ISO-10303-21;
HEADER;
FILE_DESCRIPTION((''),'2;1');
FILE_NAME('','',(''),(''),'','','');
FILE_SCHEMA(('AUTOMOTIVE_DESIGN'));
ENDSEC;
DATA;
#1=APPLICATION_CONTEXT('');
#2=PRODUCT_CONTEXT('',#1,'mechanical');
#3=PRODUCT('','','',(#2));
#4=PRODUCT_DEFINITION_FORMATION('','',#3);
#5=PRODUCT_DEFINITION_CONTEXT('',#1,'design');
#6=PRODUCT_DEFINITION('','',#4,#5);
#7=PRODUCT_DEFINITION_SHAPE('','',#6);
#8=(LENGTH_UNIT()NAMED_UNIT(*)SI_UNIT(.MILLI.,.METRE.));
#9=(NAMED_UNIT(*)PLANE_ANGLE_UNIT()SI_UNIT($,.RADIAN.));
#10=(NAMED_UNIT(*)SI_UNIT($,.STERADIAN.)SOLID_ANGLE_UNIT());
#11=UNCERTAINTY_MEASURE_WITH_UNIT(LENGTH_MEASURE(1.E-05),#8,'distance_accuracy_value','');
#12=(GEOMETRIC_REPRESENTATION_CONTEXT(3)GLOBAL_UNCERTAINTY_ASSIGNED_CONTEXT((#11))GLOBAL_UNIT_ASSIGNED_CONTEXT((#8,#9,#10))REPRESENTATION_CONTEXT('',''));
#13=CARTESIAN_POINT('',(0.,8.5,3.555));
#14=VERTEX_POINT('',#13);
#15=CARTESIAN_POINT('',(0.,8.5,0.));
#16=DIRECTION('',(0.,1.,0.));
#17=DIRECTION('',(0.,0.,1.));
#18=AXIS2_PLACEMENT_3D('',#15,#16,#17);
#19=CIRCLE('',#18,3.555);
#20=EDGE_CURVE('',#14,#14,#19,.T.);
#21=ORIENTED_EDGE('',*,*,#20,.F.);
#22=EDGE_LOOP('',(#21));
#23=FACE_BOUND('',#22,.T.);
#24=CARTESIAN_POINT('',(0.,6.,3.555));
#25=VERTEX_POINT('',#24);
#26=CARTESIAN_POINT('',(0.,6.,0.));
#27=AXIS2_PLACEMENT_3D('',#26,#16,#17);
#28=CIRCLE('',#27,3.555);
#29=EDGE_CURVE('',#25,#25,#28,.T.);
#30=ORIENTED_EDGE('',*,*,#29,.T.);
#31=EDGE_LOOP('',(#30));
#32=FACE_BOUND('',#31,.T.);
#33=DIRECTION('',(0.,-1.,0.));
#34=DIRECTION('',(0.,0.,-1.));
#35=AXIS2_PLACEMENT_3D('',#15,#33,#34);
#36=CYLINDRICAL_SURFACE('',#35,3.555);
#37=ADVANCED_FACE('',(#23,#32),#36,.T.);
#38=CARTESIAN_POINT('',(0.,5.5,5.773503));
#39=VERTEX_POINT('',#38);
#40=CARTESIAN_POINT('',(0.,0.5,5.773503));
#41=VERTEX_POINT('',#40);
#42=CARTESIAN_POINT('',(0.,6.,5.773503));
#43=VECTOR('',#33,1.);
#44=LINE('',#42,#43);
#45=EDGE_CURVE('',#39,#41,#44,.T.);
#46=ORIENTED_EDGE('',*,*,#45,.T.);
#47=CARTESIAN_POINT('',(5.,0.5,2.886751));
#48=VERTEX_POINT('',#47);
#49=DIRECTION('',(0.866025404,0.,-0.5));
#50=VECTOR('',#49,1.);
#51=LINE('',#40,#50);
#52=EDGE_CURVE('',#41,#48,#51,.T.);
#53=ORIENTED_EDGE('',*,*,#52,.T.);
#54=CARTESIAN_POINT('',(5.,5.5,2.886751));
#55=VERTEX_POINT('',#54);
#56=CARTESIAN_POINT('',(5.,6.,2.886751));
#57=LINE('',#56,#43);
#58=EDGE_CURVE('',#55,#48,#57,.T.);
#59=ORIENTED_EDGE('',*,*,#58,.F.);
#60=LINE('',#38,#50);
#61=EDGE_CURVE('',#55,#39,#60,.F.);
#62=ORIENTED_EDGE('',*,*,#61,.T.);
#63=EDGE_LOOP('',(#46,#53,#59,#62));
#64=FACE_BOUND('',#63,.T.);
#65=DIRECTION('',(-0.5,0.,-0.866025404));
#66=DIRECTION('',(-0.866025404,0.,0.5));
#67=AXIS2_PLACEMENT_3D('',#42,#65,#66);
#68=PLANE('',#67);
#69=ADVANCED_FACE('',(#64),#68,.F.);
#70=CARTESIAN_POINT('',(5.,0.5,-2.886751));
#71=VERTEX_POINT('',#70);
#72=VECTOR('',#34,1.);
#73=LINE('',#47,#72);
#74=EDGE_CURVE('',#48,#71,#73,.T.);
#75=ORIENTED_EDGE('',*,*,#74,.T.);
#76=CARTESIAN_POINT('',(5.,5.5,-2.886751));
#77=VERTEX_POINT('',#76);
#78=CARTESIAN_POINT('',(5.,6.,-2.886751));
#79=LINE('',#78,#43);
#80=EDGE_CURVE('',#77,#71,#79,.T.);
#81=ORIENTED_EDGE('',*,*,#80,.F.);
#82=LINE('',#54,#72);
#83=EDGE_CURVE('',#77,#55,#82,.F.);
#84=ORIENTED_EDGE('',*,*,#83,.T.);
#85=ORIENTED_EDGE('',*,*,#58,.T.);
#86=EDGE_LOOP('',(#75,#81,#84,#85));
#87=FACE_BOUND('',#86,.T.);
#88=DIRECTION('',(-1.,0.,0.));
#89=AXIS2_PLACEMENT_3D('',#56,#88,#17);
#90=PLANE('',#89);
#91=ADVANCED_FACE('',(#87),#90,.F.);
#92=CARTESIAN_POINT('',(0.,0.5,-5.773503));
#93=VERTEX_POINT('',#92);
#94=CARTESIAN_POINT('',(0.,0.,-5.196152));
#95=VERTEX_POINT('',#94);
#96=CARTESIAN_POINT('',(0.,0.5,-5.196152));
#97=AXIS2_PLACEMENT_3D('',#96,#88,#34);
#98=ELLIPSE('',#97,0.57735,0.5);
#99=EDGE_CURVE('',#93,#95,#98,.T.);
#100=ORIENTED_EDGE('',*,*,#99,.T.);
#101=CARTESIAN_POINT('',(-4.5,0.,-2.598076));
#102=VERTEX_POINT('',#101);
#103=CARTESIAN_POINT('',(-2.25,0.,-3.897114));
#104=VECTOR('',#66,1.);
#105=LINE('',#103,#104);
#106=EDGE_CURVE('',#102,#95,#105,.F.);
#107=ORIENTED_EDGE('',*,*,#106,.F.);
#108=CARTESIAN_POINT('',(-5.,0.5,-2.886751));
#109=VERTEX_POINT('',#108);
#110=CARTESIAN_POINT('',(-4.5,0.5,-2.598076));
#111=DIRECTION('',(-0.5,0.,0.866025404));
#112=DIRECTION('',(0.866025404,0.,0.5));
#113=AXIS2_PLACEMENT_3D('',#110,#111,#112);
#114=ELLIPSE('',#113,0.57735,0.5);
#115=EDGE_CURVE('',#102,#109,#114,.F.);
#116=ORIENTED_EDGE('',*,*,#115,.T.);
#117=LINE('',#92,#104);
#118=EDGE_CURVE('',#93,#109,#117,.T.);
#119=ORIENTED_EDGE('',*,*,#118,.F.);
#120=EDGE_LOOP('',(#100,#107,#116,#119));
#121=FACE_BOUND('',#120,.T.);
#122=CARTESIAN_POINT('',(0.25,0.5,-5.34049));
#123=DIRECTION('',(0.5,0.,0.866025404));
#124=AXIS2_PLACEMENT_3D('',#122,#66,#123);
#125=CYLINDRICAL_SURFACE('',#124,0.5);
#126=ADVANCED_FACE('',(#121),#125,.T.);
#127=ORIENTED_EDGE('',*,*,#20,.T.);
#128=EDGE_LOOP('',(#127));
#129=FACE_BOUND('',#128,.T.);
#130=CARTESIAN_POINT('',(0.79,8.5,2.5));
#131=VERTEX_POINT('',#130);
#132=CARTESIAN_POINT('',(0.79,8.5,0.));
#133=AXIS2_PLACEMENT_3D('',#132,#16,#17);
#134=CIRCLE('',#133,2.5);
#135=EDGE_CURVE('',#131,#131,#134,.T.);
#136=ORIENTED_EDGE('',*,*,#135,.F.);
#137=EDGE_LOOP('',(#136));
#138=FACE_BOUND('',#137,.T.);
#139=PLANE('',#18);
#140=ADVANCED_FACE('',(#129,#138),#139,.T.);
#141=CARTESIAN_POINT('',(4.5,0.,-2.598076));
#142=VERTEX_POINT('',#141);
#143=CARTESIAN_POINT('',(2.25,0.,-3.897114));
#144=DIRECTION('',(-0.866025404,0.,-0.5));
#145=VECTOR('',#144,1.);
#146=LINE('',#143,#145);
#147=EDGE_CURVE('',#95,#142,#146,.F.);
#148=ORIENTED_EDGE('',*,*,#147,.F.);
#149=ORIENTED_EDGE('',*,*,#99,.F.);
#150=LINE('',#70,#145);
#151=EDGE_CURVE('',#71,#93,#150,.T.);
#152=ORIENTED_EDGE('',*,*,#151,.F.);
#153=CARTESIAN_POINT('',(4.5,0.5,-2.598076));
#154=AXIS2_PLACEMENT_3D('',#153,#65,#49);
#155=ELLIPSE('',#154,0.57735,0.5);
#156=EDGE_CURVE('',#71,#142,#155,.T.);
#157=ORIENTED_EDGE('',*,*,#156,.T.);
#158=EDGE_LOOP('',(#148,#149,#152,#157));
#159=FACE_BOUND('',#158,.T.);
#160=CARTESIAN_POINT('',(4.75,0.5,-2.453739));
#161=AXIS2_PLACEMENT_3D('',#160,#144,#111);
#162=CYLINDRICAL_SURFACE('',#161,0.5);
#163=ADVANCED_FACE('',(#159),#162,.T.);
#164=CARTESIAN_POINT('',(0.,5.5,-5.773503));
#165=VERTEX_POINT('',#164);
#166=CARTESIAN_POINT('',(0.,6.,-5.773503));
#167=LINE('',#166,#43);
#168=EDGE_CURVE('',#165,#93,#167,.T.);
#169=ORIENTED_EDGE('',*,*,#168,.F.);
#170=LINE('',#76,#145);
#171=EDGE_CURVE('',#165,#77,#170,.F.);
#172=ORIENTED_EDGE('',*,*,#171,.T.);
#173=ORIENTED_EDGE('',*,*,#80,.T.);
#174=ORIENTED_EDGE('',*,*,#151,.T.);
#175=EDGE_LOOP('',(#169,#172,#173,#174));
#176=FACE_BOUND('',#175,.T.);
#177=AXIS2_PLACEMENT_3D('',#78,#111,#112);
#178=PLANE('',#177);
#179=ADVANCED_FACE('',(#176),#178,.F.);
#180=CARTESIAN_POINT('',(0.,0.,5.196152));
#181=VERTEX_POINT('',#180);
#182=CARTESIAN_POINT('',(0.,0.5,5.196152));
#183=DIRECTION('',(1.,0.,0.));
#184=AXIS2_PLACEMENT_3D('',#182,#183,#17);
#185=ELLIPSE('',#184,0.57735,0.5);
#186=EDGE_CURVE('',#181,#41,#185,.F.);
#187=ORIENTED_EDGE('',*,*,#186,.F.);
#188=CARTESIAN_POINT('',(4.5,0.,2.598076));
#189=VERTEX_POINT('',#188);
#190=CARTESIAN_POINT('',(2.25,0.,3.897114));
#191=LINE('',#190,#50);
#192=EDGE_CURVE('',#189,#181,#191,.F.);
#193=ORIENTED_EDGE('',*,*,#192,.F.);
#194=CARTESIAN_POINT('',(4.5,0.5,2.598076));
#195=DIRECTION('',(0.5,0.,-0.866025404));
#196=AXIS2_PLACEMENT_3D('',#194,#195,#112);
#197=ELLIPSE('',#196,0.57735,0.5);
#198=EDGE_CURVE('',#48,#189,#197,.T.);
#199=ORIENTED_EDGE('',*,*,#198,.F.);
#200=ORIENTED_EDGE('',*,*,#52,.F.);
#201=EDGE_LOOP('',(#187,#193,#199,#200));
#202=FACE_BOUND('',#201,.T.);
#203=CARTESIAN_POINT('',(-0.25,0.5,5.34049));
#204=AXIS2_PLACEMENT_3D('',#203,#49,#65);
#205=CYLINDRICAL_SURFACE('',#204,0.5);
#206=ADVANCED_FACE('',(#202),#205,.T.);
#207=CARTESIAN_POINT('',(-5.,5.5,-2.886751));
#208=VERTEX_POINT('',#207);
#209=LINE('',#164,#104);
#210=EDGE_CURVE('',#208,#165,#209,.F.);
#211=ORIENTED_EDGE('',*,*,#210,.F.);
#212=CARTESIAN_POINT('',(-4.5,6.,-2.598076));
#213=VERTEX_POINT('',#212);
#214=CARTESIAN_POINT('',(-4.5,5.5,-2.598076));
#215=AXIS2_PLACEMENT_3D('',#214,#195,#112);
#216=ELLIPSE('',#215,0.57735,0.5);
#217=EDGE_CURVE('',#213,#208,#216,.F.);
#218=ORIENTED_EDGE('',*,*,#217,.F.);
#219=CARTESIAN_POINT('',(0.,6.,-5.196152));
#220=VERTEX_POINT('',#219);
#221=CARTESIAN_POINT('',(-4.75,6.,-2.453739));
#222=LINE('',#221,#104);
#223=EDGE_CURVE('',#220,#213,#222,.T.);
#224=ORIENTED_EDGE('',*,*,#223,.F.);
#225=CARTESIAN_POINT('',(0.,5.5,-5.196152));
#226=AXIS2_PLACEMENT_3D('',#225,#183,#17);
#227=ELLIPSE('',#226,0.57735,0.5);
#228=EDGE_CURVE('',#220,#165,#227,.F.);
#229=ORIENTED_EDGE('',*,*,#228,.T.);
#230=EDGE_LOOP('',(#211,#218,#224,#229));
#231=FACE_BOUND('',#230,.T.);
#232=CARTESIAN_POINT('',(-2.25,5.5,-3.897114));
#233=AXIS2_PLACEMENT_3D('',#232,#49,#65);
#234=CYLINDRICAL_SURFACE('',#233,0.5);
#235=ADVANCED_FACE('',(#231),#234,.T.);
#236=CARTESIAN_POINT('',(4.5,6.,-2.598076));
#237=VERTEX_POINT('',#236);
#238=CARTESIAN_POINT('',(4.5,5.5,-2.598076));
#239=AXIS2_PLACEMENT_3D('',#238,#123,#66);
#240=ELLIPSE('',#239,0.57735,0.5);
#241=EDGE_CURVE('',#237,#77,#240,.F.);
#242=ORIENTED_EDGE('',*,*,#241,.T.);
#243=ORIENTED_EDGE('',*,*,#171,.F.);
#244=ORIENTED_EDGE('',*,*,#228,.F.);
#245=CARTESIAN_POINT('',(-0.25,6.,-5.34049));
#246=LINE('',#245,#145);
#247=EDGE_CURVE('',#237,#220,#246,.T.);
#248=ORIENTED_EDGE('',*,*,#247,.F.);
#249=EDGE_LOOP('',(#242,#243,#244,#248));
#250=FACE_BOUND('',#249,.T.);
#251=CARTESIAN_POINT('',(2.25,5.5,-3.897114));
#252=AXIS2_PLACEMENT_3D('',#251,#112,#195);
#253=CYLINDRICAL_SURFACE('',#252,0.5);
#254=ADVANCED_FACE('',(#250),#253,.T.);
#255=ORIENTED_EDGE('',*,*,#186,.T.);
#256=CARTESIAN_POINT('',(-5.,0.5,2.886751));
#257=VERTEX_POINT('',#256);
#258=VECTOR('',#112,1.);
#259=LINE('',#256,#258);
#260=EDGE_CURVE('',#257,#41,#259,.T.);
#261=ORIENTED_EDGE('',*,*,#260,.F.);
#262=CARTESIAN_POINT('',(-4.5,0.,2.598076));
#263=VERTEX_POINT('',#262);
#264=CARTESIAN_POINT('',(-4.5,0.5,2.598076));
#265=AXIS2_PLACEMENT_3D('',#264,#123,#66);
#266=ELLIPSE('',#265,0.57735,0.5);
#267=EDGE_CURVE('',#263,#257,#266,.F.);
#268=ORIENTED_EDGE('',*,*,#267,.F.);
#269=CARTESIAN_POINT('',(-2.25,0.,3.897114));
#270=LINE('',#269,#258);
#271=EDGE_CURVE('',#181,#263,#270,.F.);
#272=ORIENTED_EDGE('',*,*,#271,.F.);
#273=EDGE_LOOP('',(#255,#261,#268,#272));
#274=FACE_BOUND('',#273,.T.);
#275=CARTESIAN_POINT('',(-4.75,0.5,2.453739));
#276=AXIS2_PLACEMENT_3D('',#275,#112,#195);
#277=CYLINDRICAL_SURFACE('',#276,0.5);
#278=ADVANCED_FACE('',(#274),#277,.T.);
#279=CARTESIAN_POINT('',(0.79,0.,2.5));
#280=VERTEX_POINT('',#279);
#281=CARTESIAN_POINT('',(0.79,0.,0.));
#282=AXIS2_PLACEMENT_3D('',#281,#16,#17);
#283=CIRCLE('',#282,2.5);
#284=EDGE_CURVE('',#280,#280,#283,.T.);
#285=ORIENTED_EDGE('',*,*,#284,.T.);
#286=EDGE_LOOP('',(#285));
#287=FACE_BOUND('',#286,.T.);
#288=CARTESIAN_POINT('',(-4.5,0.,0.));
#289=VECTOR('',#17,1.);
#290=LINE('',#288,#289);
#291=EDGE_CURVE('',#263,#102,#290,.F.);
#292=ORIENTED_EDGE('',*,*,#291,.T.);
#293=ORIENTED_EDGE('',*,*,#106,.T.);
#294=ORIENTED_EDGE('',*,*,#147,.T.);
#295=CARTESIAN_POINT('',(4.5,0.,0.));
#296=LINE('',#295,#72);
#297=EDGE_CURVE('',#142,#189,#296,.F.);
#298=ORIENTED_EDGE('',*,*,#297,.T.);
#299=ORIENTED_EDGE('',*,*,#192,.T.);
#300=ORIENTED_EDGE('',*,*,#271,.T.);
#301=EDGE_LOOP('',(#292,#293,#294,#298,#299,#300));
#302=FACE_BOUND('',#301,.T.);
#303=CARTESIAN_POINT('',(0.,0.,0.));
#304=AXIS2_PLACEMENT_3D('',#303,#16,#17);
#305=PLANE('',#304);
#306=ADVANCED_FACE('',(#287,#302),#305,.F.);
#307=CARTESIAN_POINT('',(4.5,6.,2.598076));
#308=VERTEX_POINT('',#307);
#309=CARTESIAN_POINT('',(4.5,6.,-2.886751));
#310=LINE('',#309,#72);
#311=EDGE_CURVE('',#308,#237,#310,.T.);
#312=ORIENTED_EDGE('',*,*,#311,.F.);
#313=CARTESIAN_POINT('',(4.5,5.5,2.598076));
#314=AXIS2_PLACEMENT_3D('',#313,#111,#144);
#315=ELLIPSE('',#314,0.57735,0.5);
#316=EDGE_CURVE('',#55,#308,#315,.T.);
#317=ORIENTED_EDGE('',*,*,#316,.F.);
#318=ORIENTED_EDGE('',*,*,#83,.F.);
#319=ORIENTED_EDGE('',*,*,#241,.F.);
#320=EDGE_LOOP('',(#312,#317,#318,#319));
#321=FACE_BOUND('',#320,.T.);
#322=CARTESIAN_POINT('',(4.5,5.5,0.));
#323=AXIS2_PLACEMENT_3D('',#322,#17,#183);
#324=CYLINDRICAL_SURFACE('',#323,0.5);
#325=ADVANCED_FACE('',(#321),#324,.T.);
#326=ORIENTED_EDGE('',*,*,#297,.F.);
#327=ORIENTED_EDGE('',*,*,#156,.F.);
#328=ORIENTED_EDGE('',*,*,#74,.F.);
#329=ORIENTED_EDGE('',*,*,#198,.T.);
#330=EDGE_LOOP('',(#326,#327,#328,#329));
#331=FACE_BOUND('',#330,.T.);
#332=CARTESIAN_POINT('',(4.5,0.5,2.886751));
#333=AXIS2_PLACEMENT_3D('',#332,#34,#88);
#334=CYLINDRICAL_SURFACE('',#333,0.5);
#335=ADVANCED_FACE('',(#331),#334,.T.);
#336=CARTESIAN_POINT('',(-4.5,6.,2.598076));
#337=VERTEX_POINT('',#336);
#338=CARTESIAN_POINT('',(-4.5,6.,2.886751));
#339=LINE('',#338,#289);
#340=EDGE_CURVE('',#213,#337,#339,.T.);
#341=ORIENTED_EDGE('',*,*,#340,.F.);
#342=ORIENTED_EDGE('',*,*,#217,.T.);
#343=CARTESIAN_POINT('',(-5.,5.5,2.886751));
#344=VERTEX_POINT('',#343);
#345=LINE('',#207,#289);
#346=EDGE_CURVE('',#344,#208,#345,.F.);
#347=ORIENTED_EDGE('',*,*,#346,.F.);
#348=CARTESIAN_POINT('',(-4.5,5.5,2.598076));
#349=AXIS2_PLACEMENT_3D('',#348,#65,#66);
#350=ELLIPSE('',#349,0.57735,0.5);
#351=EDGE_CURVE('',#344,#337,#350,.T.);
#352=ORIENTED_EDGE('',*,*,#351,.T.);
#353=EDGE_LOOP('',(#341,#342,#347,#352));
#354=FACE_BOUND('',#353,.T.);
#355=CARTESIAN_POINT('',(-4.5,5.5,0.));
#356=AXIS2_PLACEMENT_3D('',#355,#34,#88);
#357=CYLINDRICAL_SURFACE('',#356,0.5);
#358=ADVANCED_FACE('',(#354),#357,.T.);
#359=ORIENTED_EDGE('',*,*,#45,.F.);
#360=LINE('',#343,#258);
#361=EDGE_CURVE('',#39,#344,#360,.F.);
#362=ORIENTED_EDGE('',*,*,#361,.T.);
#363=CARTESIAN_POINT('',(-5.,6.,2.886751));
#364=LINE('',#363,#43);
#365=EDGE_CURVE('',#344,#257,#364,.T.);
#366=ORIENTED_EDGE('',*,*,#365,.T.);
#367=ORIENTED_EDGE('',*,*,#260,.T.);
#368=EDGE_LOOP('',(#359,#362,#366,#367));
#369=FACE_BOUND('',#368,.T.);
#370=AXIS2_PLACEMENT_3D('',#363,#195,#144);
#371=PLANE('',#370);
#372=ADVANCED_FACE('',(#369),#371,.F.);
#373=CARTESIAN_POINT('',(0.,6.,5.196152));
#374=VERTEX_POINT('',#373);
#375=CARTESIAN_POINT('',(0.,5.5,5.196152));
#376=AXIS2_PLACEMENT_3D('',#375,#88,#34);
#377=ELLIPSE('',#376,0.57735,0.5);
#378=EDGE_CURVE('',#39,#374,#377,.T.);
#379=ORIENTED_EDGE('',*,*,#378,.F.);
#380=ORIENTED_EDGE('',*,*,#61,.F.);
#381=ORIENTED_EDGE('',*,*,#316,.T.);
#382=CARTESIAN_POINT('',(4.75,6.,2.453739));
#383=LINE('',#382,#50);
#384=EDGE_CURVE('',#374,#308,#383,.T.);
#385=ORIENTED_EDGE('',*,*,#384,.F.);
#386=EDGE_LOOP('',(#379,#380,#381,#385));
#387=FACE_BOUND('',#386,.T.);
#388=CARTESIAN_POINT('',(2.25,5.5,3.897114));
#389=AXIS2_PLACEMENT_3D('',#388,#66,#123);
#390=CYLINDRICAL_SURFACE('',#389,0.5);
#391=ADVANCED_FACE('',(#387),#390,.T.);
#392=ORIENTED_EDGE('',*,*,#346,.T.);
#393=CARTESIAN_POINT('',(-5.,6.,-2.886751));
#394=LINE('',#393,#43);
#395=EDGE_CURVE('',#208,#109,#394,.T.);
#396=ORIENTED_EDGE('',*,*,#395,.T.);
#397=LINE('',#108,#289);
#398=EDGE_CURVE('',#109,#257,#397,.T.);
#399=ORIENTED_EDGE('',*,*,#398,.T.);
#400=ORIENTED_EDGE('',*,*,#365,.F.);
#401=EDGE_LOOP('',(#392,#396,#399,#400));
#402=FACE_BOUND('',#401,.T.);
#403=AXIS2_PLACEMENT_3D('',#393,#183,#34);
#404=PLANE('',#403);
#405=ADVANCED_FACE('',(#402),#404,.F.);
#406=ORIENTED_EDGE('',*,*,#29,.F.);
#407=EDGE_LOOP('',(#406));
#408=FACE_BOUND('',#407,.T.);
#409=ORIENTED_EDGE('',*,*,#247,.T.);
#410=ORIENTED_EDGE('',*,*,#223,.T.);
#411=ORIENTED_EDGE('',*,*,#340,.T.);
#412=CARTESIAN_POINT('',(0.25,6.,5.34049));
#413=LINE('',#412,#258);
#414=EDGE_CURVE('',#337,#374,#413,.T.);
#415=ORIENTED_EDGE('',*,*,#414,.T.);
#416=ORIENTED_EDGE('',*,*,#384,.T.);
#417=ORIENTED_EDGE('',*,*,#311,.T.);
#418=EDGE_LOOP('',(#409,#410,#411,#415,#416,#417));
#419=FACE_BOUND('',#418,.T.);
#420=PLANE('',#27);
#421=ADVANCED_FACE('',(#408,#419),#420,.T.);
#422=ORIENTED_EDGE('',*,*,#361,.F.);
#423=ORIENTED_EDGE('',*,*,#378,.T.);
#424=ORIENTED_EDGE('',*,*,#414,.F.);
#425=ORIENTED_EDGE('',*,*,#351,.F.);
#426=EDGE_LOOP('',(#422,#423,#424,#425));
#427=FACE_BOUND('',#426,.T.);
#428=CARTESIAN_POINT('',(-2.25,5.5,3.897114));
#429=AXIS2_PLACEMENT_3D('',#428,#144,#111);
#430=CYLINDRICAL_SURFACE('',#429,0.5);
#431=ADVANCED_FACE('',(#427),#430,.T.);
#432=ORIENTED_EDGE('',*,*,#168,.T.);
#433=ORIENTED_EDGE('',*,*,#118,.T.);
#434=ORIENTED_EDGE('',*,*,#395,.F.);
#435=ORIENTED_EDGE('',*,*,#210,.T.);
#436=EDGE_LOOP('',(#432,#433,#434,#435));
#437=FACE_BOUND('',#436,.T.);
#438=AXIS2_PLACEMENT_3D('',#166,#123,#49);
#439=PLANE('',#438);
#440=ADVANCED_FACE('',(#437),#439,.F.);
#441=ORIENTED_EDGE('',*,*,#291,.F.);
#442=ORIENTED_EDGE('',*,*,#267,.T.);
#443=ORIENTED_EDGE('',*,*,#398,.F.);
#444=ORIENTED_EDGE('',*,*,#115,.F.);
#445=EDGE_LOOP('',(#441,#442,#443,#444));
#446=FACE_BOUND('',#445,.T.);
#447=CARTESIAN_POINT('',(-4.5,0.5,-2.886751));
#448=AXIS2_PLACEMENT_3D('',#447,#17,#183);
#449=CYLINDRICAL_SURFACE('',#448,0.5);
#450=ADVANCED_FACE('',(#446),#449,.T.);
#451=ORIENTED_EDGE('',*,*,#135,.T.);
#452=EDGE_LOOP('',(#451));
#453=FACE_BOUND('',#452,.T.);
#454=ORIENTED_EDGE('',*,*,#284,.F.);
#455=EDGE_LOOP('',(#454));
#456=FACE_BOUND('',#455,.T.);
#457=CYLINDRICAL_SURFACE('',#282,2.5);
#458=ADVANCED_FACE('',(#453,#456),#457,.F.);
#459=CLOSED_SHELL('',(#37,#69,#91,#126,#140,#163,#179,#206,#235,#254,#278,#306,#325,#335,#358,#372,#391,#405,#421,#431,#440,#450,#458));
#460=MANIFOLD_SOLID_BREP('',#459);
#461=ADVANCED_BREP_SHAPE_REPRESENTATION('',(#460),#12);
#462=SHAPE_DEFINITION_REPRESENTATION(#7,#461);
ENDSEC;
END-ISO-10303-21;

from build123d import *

# Parameters (mm, degrees)
BOSS_EXTRUDE1_DEPTH = 6
SKETCH2_R           = 3.555
BOSS_EXTRUDE2_DEPTH = 2.5
SKETCH3_R           = 2.5
CUT_EXTRUDE1_DEPTH  = 9.5
FILLET1_R           = 0.5


with BuildPart() as part:
    # Sketch1 → Boss-Extrude1 (new body)
    with BuildSketch(Plane(origin=(0, 0, 0), x_dir=(1, 0, 0), z_dir=(0, 1, 0))):
        Polygon((5, -2.886751346), (5, 2.886751346), (0, 5.773502692), (-5, 2.886751346), (-5, -2.886751346), (0, -5.773502692), align=None)
    extrude(amount=BOSS_EXTRUDE1_DEPTH)

    # Sketch2 → Boss-Extrude2 (add)
    with BuildSketch(Plane(origin=(0, 6, 0), x_dir=(1, 0, 0), z_dir=(0, 1, 0))):
        Circle(SKETCH2_R)
    extrude(amount=BOSS_EXTRUDE2_DEPTH)

    # Sketch3 → Cut-Extrude1 (cut, through all)
    with BuildSketch(Plane(origin=(0, 8.5, 0), x_dir=(1, 0, 0), z_dir=(0, 1, 0))):
        with Locations((0.79, 0)):
            Circle(SKETCH3_R)
    extrude(amount=-CUT_EXTRUDE1_DEPTH, mode=Mode.SUBTRACT)

    # Fillet1
    fillet1_edges = [part.edges().sort_by_distance(p)[0] for p in [
        (2.5, 6, -4.330127019),
        (-2.5, 6, -4.330127019),
        (-5, 6, 0),
        (-2.5, 6, 4.330127019),
        (2.5, 6, 4.330127019),
        (-2.5, 0, 4.330127019),
        (-5, 0, 0),
        (-2.5, 0, -4.330127019),
        (2.5, 0, -4.330127019),
        (5, 0, 0),
        (2.5, 0, 4.330127019),
        (5, 6, 0),
    ]]
    fillet(fillet1_edges, radius=FILLET1_R)


solid = part.part
